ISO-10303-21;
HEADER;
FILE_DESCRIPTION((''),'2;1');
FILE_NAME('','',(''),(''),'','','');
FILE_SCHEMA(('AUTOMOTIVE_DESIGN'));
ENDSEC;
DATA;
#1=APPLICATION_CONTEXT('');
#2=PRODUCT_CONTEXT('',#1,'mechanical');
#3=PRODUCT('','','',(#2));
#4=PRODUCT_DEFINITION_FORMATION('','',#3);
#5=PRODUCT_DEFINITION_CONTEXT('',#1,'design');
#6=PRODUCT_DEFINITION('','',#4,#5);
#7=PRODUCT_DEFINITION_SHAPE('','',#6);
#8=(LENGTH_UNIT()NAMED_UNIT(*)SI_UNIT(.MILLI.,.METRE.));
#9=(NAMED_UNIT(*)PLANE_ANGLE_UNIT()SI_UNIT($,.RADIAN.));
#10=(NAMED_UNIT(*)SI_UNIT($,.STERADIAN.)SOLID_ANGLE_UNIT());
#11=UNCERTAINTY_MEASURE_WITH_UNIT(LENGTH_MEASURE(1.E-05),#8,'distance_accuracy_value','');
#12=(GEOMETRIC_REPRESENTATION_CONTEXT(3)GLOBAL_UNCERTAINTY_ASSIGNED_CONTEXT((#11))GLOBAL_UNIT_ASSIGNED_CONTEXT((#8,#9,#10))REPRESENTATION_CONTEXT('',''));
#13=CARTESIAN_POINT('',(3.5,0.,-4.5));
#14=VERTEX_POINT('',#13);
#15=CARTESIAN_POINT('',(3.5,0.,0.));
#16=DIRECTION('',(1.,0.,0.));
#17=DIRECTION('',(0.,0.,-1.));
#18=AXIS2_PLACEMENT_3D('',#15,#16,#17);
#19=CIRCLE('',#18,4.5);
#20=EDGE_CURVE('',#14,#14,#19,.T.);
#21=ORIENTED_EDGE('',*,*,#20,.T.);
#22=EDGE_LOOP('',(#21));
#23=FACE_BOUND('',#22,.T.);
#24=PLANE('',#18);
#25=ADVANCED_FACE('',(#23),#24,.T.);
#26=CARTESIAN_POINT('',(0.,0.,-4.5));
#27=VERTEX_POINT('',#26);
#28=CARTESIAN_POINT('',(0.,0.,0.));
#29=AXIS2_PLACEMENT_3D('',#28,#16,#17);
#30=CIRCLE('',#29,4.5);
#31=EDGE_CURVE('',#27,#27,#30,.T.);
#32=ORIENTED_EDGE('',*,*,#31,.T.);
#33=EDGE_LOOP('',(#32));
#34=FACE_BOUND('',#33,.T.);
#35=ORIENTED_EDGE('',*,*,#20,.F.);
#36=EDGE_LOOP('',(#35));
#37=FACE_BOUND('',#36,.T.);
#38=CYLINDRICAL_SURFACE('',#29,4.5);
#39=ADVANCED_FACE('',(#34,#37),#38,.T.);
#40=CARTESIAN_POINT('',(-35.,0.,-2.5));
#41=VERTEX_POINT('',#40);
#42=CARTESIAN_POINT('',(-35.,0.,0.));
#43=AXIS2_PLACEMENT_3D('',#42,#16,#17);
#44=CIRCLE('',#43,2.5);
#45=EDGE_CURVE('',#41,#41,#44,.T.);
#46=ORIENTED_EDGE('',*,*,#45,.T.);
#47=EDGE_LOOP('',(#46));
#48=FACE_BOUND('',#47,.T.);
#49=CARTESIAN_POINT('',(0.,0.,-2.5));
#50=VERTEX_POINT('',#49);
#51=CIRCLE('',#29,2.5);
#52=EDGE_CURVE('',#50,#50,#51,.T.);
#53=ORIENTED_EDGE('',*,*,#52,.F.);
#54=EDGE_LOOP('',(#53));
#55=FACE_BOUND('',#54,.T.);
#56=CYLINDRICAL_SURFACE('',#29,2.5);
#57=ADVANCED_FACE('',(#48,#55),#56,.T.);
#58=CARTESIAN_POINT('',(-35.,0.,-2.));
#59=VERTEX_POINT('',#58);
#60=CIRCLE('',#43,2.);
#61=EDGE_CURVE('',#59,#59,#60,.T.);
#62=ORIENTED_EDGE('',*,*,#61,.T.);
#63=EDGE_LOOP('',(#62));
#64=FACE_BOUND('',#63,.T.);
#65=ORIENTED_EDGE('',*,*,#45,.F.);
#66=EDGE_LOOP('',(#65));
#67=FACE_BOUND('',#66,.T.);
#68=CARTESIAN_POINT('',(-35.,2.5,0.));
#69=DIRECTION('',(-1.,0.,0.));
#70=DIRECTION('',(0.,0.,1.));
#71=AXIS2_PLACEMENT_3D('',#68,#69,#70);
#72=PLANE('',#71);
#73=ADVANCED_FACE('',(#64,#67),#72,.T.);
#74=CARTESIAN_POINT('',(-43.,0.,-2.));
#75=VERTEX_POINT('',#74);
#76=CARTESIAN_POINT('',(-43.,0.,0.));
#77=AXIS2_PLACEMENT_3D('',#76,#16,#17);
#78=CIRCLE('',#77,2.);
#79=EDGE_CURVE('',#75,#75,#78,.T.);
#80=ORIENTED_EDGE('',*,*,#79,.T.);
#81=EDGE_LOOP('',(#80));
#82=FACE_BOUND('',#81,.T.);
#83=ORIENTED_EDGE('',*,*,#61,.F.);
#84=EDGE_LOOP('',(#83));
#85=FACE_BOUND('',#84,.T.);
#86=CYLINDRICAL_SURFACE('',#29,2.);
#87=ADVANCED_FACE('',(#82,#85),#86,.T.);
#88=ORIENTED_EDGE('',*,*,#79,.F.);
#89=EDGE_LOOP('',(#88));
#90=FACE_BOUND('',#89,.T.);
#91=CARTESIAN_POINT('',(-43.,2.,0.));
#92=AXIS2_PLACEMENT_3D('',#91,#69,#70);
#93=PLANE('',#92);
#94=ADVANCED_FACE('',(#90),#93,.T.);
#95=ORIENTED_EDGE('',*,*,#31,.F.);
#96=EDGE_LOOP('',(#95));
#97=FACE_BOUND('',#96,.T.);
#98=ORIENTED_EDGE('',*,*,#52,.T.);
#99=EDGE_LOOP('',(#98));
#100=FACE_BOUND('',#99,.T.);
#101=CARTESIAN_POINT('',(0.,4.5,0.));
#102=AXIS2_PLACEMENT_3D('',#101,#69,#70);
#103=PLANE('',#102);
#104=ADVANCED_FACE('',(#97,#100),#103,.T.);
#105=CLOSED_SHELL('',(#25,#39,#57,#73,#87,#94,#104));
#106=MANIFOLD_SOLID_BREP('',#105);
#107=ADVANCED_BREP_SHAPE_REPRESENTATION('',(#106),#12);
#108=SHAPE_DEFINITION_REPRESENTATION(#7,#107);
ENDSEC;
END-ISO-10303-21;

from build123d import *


with BuildPart() as part:
    # Sketch1 → Revolve1 (revolve)
    with BuildSketch(Plane.XY, mode=Mode.PRIVATE) as revolve1_sk:
        Polygon((3.5, 0), (3.5, 4.5), (0, 4.5), (0, 2.5), (-35, 2.5), (-35, 2), (-43, 2), (-43, 0), align=None)
    revolve(revolve1_sk.sketch.rotate(Axis((0, 0, 0), (-1, 0, 0)), 90), axis=Axis((0, 0, 0), (-1, 0, 0)))


solid = part.part
